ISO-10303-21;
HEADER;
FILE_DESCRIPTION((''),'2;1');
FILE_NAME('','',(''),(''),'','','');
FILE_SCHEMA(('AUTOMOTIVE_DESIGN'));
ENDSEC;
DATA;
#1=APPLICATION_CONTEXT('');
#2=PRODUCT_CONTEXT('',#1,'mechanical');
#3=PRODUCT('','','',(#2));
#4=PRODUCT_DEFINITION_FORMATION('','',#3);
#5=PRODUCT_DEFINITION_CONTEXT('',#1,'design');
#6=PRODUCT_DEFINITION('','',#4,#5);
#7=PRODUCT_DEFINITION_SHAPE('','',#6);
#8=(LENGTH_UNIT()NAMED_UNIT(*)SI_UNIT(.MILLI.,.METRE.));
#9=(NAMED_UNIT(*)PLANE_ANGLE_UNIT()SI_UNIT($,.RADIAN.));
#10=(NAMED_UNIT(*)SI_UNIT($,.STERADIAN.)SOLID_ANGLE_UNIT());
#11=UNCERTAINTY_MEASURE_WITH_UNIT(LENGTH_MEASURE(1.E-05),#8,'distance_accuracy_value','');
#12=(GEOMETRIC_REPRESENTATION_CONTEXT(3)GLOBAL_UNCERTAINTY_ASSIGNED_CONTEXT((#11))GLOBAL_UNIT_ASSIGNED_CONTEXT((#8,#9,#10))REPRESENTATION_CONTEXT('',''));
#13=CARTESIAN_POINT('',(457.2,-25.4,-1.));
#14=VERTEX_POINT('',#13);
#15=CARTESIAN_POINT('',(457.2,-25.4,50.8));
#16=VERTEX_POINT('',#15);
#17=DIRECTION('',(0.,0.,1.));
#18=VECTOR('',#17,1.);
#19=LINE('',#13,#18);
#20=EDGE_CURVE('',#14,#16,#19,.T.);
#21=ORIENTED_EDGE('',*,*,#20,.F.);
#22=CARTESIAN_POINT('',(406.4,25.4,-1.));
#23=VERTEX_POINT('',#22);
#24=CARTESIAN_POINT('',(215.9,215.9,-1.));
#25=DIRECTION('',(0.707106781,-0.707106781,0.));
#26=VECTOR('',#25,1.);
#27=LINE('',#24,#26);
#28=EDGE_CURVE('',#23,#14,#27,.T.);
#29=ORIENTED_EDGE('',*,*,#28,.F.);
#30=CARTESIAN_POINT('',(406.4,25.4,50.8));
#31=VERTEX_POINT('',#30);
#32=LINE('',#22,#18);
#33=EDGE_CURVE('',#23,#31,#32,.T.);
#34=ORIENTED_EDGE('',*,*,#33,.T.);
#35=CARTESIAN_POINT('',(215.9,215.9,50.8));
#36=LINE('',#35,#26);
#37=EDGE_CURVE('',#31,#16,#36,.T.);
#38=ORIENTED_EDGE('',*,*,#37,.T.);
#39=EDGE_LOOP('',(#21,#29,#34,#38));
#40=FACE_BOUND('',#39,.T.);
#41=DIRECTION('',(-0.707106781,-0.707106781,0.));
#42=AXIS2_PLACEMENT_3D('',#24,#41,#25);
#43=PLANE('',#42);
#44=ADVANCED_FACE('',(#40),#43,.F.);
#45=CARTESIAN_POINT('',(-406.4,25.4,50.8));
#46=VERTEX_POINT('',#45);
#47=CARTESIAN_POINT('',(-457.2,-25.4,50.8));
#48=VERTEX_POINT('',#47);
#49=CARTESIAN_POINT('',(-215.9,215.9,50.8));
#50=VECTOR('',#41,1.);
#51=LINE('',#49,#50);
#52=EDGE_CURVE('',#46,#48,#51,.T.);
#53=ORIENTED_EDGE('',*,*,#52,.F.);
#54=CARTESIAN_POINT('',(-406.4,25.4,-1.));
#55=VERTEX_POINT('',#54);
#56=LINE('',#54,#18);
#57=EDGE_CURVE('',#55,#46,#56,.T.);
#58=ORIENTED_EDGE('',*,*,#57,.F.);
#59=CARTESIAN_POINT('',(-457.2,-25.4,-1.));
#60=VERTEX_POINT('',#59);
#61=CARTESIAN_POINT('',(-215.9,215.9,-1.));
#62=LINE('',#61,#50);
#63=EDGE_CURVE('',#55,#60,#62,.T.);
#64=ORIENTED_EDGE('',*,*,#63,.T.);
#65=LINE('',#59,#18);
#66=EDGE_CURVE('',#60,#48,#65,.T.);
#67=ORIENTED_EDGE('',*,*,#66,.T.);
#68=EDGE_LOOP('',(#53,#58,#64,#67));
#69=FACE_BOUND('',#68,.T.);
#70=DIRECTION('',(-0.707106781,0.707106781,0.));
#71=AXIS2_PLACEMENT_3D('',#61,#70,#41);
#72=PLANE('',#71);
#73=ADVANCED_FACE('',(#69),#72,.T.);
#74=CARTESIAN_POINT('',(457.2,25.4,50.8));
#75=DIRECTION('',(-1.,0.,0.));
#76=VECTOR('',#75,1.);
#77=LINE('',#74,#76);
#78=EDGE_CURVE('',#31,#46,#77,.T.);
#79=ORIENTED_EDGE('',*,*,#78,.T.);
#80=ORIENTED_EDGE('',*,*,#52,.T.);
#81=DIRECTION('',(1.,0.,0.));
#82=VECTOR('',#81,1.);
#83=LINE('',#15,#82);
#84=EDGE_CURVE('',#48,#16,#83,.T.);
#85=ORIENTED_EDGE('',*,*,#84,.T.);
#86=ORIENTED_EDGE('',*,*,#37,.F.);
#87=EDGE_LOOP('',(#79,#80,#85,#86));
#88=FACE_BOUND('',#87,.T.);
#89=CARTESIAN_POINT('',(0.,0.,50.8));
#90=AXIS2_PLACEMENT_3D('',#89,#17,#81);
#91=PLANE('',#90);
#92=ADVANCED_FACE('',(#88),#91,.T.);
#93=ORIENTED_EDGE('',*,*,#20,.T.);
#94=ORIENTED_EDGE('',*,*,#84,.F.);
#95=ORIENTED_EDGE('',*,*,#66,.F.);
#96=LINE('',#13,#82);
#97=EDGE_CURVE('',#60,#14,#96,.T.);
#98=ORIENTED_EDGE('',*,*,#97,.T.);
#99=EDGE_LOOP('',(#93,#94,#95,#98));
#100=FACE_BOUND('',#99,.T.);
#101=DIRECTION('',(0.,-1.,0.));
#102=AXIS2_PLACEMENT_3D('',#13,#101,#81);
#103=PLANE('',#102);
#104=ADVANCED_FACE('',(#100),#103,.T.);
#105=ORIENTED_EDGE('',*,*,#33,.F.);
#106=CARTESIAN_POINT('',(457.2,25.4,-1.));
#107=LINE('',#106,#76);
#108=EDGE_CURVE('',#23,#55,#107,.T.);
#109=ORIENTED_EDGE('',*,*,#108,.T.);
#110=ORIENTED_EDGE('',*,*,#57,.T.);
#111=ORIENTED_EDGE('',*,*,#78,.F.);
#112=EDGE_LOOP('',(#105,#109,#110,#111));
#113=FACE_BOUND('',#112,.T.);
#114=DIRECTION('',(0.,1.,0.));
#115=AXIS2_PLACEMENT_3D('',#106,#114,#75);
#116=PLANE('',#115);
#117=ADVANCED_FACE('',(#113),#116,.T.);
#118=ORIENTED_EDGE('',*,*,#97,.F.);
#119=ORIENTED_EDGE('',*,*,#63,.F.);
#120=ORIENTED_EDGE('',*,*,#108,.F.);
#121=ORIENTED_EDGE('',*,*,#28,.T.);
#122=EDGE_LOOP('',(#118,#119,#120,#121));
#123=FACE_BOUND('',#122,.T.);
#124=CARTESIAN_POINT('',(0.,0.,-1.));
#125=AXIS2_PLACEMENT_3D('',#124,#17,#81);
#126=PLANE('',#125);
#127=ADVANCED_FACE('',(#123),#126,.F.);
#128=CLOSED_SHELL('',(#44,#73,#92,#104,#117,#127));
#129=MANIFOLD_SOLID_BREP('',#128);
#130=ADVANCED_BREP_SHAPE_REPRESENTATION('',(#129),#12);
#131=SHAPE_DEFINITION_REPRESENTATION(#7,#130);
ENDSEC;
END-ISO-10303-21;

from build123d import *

# Parameters (mm, degrees)
SALIENTE_EXTRUIR1_DEPTH      = 50.8
SALIENTE_EXTRUIR1_DEPTH_BACK = 1
CROQUIS1_W                   = 914.4
CROQUIS1_H                   = 50.8
CORTAR_EXTRUIR2_DEPTH        = 461.825606927
CORTAR_EXTRUIR3_DEPTH        = 461.825606927
CORTAR_EXTRUIR4_DEPTH        = 461.825606927


with BuildPart() as part:
    # Croquis1 → Saliente-Extruir1 (new, two sides: drawn at the far end of the back side and taken through both)
    with BuildSketch(Plane.XY.offset(-SALIENTE_EXTRUIR1_DEPTH_BACK)):
        Rectangle(CROQUIS1_W, CROQUIS1_H)
    extrude(amount=SALIENTE_EXTRUIR1_DEPTH + SALIENTE_EXTRUIR1_DEPTH_BACK)

    # Croquis3 → Cortar-Extruir2 (cut, through all)
    with BuildSketch(Plane.XY.offset(50.8)):
        Polygon((-437.2, 25.4), (-457.2, 25.4), (-457.2, -25.4), align=None)
    extrude(amount=-CORTAR_EXTRUIR2_DEPTH, mode=Mode.SUBTRACT)

    # Croquis4 → Cortar-Extruir3 (cut, through all)
    with BuildSketch(Plane(origin=(0, 0, -1), x_dir=(-1, 0, 0), z_dir=(0, 0, -1))):
        Polygon((-437.2, 25.4), (-457.2, 25.4), (-457.2, -25.4), align=None)
    extrude(amount=-CORTAR_EXTRUIR3_DEPTH, mode=Mode.SUBTRACT)

    # Croquis6 → Cortar-Extruir4 (cut, through all)
    with BuildSketch(Plane.XY.offset(50.8)):
        Polygon((-437.2, 25.4), (-457.2, -25.4), (-406.4, 25.4), align=None)
        Polygon((437.2, 25.4), (406.4, 25.4), (457.2, -25.4), align=None)
    extrude(amount=-CORTAR_EXTRUIR4_DEPTH, mode=Mode.SUBTRACT)


solid = part.part
